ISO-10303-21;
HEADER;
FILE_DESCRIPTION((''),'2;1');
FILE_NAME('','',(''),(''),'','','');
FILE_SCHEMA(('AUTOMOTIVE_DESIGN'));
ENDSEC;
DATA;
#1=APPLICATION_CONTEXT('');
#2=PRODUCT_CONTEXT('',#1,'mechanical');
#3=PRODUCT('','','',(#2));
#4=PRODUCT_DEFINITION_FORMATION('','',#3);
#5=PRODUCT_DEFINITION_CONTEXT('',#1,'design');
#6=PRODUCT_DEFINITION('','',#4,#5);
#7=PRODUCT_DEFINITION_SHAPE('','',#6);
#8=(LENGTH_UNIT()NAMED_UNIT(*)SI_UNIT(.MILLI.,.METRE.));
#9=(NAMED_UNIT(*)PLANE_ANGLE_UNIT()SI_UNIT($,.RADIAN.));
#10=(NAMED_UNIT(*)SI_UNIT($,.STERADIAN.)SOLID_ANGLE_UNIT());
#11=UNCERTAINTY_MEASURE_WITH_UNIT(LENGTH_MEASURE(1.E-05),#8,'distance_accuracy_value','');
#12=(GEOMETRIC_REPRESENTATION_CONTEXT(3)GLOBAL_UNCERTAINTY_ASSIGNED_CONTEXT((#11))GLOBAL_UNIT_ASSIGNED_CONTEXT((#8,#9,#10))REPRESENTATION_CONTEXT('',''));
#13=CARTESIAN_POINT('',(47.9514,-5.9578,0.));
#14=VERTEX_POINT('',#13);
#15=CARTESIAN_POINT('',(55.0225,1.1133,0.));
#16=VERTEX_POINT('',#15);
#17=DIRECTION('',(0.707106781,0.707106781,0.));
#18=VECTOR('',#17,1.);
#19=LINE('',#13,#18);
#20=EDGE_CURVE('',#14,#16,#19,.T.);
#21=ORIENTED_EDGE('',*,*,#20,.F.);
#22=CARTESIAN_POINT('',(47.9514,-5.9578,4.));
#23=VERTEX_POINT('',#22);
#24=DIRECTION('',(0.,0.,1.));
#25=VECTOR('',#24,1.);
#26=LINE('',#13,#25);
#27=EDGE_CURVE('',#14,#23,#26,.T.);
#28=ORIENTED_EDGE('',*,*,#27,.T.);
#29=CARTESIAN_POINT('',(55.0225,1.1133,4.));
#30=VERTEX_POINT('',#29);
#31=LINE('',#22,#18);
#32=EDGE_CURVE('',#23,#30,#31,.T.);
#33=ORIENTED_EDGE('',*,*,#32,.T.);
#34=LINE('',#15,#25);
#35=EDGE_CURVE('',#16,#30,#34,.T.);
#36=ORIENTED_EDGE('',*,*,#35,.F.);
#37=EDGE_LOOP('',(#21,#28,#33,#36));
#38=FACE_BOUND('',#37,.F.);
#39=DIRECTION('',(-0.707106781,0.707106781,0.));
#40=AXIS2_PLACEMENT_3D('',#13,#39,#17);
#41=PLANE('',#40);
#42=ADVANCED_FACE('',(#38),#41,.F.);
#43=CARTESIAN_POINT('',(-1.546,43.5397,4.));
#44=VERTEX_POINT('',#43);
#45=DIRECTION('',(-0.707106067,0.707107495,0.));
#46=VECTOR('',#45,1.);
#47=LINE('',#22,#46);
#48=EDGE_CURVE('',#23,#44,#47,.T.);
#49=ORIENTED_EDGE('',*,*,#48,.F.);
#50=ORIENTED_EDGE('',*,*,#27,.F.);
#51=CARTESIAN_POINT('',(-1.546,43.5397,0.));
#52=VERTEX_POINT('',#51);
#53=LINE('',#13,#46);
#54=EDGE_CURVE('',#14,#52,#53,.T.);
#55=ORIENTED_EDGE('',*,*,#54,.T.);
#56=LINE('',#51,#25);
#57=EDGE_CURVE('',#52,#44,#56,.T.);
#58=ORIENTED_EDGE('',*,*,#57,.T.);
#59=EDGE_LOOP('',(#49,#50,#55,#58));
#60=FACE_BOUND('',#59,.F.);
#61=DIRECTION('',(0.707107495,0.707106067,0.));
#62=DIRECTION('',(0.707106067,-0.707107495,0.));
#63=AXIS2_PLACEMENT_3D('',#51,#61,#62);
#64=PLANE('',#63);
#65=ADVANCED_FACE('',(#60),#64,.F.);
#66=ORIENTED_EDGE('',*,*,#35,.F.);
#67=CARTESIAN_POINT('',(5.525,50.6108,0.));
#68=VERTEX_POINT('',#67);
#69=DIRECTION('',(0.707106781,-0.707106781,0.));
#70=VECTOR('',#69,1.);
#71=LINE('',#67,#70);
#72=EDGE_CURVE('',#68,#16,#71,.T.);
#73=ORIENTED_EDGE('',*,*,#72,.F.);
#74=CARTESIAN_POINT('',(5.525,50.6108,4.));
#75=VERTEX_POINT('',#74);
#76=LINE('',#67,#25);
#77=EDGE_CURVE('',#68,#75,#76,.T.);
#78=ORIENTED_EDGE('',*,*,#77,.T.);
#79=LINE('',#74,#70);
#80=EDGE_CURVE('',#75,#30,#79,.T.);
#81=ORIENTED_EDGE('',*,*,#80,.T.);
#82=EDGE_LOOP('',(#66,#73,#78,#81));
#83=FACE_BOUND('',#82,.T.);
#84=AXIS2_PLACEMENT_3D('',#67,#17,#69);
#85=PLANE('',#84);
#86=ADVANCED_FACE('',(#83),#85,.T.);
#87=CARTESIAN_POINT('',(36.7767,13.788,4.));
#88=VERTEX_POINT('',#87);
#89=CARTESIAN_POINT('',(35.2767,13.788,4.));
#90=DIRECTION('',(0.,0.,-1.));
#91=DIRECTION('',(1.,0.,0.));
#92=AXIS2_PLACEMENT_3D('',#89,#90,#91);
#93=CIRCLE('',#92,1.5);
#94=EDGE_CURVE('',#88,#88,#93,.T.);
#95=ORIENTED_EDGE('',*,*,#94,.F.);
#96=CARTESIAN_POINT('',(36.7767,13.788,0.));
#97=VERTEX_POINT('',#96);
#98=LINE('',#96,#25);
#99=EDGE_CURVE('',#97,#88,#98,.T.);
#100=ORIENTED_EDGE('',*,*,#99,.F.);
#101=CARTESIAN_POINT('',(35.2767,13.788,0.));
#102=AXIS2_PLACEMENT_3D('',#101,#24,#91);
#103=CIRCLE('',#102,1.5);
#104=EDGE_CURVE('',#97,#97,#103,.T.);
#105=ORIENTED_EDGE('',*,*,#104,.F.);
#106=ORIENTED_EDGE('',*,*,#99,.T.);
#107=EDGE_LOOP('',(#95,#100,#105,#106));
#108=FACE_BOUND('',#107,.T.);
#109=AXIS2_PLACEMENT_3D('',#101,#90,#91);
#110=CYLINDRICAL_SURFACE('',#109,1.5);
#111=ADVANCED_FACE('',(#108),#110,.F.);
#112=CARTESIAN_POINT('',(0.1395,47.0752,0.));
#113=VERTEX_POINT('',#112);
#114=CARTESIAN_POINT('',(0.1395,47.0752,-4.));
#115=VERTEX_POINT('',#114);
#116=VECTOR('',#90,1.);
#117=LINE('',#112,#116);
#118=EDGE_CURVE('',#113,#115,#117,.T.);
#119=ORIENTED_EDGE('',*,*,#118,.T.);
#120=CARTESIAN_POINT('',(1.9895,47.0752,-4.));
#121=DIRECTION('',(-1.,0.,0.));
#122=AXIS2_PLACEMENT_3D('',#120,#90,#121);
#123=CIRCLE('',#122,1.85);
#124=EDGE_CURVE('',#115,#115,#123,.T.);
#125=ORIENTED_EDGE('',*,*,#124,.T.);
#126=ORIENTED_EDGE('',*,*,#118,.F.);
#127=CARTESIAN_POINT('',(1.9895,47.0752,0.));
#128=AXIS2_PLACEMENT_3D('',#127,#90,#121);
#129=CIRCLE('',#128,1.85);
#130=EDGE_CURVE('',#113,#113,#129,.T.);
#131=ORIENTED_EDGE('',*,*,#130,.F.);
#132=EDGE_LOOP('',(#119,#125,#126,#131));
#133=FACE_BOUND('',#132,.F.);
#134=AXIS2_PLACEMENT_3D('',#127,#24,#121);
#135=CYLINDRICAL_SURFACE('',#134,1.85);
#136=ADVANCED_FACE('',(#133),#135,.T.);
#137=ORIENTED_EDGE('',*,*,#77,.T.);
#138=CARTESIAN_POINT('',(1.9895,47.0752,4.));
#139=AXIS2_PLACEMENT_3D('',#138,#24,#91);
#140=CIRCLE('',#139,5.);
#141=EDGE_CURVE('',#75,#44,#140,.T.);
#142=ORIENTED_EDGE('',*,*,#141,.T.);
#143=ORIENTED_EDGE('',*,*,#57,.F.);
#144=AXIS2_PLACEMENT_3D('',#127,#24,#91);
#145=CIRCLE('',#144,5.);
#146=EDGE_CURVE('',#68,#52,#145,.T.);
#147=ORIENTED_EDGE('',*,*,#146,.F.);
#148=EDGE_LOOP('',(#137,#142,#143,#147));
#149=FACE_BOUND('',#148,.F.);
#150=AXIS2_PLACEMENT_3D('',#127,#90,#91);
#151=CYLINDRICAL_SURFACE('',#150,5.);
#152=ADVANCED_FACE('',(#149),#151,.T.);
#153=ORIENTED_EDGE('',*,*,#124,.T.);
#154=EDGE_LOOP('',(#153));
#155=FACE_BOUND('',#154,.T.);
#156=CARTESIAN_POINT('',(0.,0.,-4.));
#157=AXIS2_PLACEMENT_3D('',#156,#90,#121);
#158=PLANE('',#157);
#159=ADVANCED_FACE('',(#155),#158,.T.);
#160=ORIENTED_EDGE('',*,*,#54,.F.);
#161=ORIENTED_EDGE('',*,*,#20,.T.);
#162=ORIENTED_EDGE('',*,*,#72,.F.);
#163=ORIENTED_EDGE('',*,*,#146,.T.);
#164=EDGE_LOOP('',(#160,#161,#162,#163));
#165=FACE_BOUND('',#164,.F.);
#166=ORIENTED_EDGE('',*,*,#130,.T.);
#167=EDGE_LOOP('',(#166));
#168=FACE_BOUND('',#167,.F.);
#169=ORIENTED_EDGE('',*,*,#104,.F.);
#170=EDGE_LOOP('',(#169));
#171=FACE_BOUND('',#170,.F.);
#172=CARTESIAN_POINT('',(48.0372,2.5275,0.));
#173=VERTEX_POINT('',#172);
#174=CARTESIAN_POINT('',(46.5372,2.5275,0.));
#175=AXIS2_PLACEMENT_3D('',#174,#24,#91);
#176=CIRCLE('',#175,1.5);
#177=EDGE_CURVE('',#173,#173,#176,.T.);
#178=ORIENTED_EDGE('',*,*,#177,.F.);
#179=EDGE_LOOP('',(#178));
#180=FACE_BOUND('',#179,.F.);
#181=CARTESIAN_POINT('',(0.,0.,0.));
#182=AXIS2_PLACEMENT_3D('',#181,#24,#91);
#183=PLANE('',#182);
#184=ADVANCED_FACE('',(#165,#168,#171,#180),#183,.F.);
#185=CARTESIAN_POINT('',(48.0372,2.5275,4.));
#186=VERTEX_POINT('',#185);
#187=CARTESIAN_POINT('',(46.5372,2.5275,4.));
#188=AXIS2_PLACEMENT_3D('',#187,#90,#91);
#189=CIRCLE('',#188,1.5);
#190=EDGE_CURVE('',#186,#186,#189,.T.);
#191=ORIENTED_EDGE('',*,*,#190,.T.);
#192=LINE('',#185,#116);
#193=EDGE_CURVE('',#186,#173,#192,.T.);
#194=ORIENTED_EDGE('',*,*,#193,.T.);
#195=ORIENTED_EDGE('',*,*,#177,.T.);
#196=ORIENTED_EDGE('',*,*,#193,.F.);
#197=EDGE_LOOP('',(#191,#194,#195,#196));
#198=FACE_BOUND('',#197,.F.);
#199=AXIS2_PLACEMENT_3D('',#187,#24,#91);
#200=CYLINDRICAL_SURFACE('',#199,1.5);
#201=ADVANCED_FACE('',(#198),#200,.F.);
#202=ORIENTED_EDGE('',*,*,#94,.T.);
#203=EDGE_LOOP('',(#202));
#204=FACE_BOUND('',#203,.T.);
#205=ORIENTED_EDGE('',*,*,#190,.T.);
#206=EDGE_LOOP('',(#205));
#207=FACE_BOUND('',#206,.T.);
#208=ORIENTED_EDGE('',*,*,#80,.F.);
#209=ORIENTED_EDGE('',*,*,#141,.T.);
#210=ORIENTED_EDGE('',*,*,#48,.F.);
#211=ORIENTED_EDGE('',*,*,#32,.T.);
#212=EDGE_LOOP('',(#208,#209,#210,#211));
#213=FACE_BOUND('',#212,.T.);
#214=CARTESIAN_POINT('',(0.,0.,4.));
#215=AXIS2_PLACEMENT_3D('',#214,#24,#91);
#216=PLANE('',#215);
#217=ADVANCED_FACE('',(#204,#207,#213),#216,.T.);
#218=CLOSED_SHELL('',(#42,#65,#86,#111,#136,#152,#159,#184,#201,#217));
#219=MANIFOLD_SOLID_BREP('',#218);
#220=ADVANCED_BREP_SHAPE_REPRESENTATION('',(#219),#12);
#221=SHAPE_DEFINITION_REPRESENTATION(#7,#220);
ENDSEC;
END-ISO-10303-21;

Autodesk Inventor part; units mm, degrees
ref_plane "YZ Plane" through (0, 0, 0) normal (1, 0, 0) x (0, 1, 0)
ref_plane "XZ Plane" through (0, 0, 0) normal (0, 1, 0) x (-1, 0, 0)
ref_plane "XY Plane" through (0, 0, 0) normal (0, 0, 1) x (1, 0, 0)
sketch "Sketch1" plane through (0, 0, 0) normal (0, 0, 1) x (1, 0, 0)
  circle A0 centre (1.9895, 47.0752) radius 2 projected
  line L0 (-3.9007, 3) -> (-3.9007, 30) projected
  line L1 (-3.9007, 40) -> (-3.9007, 55) projected
  circle A1 centre (1.9895, 47.0752) radius 5
  line L2 (1.9895, 47.0752) -> (-1.546, 43.5397)
  line L3 (1.9895, 47.0752) -> (6.9895, 47.0752) construction
  line L4 (1.9895, 47.0752) -> (5.525, 50.6108)
  arc A2 (1.9895, 1.5) -> (47.0122, 40) centre (1.9895, 47.0752) ccw projected
  arc A3 (1.9895, -1.5) -> (50.0467, 40) centre (1.9895, 47.0752) ccw projected
  line L5 (-1.546, 43.5397) -> (47.9514, -5.9578)
  line L6 (5.525, 50.6108) -> (55.0225, 1.1133)
  line L7 (47.9514, -5.9578) -> (55.0225, 1.1133)
  circle A4 centre (35.2767, 13.788) radius 1.5
  point P0 (0, 0)
  dimension "d0" = 10
  dimension "d1" = 135
  dimension "d3" = 10
  dimension "d4" = 3
  dimension "d5" = 5
  dimension "d6" = 70
extrude "Extrusion1" add sketch "Sketch1" along normal blind 4 contours A0 L2 L4 | A0 L4 A1 L2 | L4 L2 A0 | A0 L2 A1 L4 | L6 A2 L5 A1 | L6 A3 A4 A2 | A2 A4 A3 L5 | L6 L7 L5 A3
sketch "Sketch2" plane through (0, 0, 0) normal (0, 0, -1) x (-1, 0, 0)
  circle A0 centre (-1.9895, 47.0752) radius 2 projected
  circle A1 centre (-1.9895, 47.0752) radius 1.85
  point P0 (0, 0)
  dimension "d9" = 3.7
extrude "Extrusion2" add sketch "Sketch2" along normal blind 4 contours A1
sketch "Sketch3" plane through (0, 0, 4) normal (0, 0, 1) x (1, 0, 0)
  circle A0 centre (35.2767, 13.788) radius 1.5 projected
  arc A1 (5.525, 50.6108) -> (-1.546, 43.5397) centre (1.9895, 47.0752) ccw projected
  line L0 (-1.546, 43.5397) -> (47.9514, -5.9578) projected
  line L1 (47.9514, -5.9578) -> (55.0225, 1.1133) projected
  line L2 (55.0225, 1.1133) -> (5.525, 50.6108) projected
  circle A2 centre (46.5372, 2.5275) radius 1.5
  line L3 (35.2767, 13.788) -> (51.487, -2.4222)
  line L4 (47.9514, -5.9578) -> (55.0225, 1.1133) projected
  line L5 (55.0225, 1.1133) -> (5.525, 50.6108) projected
  point P0 (0, 0)
  dimension "d12" = 3
  dimension "d13" = 7
extrude "Extrusion3" cut sketch "Sketch3" against normal through all contours A2 L3 | L3 A2
properties part number "eye_tracker_angled_arm"
